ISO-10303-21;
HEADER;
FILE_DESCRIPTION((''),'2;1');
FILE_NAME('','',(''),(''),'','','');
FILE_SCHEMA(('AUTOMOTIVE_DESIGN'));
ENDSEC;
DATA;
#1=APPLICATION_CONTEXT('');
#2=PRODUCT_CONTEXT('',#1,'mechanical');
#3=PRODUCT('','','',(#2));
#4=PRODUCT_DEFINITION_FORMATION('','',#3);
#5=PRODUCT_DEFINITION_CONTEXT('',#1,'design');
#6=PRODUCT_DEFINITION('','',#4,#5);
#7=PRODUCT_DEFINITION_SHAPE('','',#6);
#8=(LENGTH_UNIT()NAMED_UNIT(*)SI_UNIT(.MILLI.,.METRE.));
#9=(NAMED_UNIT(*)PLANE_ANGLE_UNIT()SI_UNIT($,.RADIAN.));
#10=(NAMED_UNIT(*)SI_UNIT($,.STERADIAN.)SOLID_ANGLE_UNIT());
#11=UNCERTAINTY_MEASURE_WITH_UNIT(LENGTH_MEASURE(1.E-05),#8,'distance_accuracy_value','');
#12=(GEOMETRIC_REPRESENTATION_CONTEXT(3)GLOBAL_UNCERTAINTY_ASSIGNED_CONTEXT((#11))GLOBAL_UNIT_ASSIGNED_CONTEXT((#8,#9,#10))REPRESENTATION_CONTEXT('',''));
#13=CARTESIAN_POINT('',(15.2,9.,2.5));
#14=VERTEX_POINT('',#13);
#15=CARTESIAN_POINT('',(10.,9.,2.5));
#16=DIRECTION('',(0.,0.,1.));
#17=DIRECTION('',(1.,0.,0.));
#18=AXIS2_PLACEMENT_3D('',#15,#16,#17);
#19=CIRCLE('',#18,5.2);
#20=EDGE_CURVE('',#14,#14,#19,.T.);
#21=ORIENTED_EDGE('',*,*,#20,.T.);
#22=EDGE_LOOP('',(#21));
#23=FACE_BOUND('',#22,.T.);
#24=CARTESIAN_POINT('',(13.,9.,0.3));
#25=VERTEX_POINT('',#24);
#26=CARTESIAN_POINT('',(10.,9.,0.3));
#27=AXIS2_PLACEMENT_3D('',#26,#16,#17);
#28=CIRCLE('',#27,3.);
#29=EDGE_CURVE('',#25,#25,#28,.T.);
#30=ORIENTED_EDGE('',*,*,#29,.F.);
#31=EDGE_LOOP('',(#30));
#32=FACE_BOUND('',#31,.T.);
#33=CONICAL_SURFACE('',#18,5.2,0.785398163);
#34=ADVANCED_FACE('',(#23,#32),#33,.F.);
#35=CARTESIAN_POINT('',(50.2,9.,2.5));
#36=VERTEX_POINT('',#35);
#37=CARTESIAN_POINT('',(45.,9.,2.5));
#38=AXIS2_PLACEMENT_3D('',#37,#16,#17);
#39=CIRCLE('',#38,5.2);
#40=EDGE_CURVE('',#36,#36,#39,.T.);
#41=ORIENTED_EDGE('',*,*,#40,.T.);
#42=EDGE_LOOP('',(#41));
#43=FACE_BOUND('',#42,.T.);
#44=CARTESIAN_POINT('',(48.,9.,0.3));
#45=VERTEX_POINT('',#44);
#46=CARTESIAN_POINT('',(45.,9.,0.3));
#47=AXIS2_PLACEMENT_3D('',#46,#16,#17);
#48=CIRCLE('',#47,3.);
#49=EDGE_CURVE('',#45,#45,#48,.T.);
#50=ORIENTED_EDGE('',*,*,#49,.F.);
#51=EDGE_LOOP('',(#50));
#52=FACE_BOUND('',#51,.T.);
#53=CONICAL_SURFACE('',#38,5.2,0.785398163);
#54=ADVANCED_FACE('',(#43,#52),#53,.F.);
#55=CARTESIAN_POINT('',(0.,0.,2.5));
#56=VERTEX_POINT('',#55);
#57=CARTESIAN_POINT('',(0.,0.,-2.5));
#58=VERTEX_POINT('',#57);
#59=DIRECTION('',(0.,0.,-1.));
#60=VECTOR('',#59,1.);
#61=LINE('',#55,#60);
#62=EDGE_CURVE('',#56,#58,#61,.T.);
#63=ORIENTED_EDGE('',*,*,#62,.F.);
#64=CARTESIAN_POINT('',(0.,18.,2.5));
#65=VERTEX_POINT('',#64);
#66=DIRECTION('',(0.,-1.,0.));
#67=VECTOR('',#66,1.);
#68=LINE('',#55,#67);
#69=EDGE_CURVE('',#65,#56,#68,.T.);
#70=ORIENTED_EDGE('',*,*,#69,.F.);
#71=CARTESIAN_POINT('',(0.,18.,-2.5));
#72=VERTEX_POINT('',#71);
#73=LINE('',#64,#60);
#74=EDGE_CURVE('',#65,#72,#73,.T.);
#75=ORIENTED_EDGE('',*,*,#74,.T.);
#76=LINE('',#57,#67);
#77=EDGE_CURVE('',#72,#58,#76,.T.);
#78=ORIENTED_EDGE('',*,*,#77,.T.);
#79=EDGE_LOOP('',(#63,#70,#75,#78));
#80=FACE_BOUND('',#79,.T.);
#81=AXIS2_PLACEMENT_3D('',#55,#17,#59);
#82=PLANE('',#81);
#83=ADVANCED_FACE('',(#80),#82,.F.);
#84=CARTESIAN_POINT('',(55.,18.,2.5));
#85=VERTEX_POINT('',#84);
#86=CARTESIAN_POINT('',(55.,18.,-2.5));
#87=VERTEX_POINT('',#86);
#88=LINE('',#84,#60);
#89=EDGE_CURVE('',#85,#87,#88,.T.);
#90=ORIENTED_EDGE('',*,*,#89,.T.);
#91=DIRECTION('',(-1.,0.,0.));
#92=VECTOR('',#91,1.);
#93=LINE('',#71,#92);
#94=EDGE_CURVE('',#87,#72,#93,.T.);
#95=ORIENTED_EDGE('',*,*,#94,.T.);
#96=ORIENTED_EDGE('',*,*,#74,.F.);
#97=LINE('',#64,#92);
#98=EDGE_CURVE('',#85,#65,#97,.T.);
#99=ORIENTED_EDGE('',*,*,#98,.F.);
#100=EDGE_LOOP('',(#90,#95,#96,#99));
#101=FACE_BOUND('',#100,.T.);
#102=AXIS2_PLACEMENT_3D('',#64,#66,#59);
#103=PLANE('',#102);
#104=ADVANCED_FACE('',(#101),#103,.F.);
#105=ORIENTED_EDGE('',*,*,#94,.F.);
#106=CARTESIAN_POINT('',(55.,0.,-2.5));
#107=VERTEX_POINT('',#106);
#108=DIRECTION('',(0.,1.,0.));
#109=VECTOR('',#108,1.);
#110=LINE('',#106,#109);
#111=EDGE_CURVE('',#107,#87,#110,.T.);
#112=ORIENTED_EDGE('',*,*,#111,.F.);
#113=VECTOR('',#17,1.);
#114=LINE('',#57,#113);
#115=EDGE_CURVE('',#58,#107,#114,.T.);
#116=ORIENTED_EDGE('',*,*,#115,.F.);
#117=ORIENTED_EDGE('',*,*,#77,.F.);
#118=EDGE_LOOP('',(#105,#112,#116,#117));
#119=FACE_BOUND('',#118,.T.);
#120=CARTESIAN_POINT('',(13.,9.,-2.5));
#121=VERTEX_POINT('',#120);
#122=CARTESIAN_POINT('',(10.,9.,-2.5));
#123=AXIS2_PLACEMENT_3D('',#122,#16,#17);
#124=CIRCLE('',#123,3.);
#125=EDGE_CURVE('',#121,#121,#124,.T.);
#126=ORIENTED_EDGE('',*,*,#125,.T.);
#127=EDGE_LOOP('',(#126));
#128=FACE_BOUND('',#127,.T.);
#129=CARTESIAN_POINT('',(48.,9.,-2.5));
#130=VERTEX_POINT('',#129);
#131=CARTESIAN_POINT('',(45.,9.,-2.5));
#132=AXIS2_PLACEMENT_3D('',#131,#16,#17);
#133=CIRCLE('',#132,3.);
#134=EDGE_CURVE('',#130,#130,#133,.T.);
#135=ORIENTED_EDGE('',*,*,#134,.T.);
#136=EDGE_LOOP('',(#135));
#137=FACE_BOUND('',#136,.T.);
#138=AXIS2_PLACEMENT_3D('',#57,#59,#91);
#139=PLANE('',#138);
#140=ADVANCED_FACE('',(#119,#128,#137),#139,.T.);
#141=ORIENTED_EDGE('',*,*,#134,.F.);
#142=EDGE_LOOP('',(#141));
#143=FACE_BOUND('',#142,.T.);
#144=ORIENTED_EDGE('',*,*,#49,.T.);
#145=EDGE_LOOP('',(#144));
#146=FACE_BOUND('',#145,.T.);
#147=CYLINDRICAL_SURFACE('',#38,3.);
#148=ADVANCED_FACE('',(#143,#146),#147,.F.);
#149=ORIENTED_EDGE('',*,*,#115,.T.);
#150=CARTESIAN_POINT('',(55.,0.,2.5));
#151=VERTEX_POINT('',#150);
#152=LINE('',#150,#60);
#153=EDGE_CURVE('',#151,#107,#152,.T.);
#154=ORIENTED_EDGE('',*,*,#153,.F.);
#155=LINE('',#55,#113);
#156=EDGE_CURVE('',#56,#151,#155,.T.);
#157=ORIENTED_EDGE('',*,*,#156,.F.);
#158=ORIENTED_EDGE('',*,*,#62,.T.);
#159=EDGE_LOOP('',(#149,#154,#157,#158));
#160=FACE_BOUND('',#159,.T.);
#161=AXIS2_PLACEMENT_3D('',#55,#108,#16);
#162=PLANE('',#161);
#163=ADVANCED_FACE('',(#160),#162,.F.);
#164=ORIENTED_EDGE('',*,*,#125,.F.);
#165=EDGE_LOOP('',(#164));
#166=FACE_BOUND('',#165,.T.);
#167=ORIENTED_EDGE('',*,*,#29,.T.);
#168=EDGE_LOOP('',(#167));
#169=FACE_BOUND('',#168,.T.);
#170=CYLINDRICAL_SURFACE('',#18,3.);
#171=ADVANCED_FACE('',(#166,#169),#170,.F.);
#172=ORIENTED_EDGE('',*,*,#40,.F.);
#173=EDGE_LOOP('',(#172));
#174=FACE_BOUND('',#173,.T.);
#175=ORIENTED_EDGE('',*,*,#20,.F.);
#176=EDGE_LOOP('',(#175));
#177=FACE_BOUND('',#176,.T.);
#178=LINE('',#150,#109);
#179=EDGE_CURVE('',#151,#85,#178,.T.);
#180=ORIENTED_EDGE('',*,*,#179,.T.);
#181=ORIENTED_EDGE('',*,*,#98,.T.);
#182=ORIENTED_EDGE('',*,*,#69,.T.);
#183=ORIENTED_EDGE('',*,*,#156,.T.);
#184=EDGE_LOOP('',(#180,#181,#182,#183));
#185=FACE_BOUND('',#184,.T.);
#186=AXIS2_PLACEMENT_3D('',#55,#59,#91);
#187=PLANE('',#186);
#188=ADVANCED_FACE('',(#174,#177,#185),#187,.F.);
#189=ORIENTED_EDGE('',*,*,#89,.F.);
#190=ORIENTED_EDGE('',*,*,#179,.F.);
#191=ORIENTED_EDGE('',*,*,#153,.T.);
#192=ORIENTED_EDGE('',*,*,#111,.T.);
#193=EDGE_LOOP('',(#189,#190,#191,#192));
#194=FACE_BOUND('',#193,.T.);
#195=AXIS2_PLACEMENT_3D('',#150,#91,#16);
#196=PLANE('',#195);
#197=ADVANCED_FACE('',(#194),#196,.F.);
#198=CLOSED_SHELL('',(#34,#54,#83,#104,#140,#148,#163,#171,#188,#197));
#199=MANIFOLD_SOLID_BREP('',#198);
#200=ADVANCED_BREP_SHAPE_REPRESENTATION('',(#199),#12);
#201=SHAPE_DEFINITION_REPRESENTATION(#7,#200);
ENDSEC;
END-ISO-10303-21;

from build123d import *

# Parameters (mm, degrees)
SKETCH2_W                      = 55
SKETCH2_H                      = 18
BOSS_EXTRUDE1_DEPTH            = 2.5
F_6_0MM_DOWEL_HOLE1_AT_2_COUNT = 2
F_6_0MM_DOWEL_HOLE1_AT_2_PITCH = 35


with BuildPart() as part:
    # Sketch2 → Boss-Extrude1 (new body, symmetric)
    with BuildSketch(Plane.XY):
        with Locations((27.5, 9)):
            Rectangle(SKETCH2_W, SKETCH2_H)
    extrude(amount=BOSS_EXTRUDE1_DEPTH, both=True)

    # Sketch3 → Ø6.0mm Dowel Hole1 (revolve, cut)
    with BuildSketch(Plane(origin=(10, 9, 2.5), x_dir=(0, -1, 0), z_dir=(1, 0, 0))):
        Polygon((0, 0), (0, 5), (3, 5), (3, 2.2), (5.2, 0), align=None)
    f_6_0mm_dowel_hole1 = revolve(axis=Axis((10, 9, 8.85), (0, 0, -1)), mode=Mode.SUBTRACT)

    # Ø6.0mm Dowel Hole1 at 2: Ø6.0mm Dowel Hole1 ×2
    with Locations(*[(i * F_6_0MM_DOWEL_HOLE1_AT_2_PITCH, 0, 0) for i in range(1, F_6_0MM_DOWEL_HOLE1_AT_2_COUNT)]):
        add(f_6_0mm_dowel_hole1, mode=Mode.SUBTRACT)


solid = part.part
